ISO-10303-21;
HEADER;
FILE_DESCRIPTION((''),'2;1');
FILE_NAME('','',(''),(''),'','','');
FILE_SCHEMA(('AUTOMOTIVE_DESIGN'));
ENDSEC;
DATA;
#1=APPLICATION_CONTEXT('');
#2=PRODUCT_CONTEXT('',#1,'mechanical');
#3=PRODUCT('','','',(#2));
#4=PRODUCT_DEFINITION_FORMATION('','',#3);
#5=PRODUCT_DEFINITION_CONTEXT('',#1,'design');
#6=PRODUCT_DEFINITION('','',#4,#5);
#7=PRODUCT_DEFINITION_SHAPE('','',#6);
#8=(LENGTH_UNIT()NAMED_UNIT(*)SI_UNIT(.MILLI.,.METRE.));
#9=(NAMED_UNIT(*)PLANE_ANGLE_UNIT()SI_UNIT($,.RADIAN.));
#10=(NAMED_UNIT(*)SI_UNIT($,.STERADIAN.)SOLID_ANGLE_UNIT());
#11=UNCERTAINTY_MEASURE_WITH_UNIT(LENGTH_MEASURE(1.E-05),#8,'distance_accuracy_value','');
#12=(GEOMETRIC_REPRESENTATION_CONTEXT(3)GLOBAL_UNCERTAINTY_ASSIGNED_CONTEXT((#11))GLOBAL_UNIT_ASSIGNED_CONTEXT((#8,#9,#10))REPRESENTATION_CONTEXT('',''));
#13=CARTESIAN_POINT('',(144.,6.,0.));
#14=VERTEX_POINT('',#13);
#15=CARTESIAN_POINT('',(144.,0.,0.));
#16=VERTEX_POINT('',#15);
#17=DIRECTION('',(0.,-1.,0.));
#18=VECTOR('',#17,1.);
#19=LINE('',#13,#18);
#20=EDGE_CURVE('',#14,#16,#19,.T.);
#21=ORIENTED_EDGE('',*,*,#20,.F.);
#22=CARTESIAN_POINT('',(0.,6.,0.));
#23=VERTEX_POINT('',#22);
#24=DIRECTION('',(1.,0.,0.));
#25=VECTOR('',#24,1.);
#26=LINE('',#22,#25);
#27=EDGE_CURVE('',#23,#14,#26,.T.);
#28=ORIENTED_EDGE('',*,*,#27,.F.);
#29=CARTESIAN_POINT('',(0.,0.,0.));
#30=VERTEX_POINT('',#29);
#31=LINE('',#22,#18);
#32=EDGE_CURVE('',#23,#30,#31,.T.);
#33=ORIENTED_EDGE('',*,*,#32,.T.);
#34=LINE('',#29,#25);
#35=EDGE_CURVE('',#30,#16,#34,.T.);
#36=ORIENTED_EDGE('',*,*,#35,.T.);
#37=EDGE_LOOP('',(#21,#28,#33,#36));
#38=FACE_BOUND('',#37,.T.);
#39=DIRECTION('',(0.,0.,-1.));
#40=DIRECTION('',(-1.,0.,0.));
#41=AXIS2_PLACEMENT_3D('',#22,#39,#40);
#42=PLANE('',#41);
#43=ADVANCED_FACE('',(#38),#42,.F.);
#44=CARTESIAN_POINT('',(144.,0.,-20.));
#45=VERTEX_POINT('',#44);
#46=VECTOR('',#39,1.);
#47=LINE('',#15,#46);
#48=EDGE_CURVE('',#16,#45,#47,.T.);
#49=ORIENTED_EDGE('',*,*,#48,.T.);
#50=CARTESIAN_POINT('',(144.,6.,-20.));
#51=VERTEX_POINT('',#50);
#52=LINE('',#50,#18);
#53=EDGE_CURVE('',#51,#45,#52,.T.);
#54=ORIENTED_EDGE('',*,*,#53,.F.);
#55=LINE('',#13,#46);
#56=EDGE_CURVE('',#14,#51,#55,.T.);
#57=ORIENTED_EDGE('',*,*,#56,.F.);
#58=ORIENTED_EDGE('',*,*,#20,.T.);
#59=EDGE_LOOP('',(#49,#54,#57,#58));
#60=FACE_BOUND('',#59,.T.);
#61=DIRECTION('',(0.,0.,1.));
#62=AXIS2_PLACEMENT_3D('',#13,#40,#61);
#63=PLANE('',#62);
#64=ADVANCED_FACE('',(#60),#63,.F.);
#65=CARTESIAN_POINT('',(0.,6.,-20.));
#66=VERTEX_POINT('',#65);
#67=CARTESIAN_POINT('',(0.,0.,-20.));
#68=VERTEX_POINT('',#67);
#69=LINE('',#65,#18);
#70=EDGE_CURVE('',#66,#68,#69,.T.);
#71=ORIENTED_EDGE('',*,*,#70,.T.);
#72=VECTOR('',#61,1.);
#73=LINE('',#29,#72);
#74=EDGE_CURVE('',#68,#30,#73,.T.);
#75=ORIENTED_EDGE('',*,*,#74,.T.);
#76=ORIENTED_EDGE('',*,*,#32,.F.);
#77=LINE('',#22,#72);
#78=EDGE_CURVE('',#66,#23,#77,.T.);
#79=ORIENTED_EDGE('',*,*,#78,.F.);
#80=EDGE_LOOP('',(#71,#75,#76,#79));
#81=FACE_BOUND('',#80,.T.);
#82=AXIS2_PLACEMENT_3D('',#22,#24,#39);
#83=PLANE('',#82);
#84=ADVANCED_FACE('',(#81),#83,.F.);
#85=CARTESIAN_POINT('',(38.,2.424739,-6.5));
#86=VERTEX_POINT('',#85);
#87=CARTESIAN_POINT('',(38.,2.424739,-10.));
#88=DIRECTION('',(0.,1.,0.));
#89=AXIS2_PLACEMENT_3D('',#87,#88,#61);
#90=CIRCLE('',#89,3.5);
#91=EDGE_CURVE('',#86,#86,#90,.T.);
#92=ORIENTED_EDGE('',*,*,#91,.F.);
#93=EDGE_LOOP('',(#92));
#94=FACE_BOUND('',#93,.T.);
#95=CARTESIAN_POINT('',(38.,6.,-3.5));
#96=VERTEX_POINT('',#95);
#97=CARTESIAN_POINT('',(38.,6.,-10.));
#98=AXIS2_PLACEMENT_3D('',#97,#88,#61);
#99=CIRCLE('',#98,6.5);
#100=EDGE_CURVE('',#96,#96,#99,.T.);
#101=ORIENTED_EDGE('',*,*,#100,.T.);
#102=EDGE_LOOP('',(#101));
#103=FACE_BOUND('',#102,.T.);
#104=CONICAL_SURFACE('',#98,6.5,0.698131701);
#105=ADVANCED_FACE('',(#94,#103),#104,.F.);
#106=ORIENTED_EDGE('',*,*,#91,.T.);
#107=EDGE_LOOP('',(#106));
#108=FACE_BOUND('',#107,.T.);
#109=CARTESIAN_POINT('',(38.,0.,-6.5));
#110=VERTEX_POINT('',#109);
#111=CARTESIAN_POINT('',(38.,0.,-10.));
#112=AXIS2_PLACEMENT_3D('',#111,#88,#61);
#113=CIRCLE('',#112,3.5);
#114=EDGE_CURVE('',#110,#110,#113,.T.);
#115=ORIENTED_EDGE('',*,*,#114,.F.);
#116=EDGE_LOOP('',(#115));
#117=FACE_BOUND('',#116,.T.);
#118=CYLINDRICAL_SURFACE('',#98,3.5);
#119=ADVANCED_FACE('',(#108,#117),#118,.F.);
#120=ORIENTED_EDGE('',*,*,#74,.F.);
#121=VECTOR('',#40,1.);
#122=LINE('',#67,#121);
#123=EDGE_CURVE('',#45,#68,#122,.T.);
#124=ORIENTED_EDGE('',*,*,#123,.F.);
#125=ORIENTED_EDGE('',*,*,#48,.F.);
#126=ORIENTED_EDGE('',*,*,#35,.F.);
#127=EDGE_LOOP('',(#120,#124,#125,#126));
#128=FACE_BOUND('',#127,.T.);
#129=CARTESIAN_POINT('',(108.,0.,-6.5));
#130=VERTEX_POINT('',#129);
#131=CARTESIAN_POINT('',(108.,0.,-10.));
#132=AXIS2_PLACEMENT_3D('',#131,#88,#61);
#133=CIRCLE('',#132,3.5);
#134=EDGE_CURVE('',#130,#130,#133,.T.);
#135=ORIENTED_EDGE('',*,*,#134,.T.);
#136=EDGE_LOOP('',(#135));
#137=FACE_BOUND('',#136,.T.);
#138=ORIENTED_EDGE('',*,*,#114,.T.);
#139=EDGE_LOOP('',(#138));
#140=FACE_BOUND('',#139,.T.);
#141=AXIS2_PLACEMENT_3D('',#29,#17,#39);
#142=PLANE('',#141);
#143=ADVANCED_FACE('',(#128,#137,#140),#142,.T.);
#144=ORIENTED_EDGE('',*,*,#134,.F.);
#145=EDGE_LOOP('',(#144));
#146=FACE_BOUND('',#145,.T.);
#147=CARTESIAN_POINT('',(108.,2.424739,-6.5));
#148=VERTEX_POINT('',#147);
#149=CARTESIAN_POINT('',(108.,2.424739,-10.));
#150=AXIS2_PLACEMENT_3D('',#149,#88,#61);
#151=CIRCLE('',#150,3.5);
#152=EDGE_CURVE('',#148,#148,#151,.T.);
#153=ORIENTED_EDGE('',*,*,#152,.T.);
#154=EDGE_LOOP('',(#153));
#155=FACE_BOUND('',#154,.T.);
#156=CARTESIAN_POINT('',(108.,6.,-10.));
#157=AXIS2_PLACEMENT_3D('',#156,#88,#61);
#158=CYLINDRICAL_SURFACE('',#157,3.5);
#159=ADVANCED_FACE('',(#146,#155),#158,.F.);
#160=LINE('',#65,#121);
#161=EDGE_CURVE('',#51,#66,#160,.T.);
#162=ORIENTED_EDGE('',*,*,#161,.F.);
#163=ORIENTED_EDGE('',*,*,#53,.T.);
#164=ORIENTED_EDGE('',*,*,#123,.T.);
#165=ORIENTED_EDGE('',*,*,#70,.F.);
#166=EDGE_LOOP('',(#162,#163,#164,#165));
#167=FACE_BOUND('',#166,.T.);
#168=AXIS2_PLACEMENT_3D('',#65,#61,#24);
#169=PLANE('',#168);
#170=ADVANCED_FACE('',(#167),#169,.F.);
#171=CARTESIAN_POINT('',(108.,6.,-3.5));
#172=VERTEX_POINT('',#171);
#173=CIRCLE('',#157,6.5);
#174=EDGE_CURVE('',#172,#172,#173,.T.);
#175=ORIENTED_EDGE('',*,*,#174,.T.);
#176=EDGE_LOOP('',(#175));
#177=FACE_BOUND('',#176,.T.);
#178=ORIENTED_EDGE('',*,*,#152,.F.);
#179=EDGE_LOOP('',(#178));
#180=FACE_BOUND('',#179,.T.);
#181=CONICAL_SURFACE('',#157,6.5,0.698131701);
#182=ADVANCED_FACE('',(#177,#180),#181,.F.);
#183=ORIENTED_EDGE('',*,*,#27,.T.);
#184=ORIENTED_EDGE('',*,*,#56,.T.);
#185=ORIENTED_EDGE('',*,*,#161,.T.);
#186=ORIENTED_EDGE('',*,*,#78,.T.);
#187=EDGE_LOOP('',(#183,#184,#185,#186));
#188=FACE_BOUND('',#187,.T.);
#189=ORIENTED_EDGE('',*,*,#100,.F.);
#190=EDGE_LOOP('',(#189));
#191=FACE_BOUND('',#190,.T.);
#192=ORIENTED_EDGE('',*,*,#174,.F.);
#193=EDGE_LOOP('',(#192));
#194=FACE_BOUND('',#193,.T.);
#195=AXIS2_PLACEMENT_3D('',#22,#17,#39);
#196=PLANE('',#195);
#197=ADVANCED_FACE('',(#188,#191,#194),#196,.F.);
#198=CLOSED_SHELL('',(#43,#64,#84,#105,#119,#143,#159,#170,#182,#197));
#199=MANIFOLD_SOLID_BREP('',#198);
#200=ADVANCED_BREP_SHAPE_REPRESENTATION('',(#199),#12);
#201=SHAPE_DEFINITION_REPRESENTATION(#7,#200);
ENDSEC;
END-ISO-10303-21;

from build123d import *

# Parameters (mm, degrees)
SKETCH1_W                                      = 144
SKETCH1_H                                      = 20
BOSS_EXTRUDE1_DEPTH                            = 6
CSK_FOR_M5_FLAT_HEAD_MACHINE_SCREW1_AT_2_COUNT = 2
CSK_FOR_M5_FLAT_HEAD_MACHINE_SCREW1_AT_2_PITCH = 70


with BuildPart() as part:
    # Sketch1 → Boss-Extrude1 (new body)
    with BuildSketch(Plane(origin=(0, 0, 0), x_dir=(1, 0, 0), z_dir=(0, 1, 0))):
        with Locations((72, 10)):
            Rectangle(SKETCH1_W, SKETCH1_H)
    extrude(amount=BOSS_EXTRUDE1_DEPTH)

    # Sketch2 → CSK for M5 Flat Head Machine Screw1 (revolve, cut)
    with BuildSketch(Plane(origin=(38, 6, -10), x_dir=(0, 0, 1), z_dir=(1, 0, 0))):
        Polygon((0, 0), (0, 6), (3.5, 6), (3.5, 3.575260778), (6.5, 0), align=None)
    csk_for_m5_flat_head_machine_screw1 = revolve(axis=Axis((38, 12.35, -10), (0, -1, 0)), mode=Mode.SUBTRACT)

    # CSK for M5 Flat Head Machine Screw1 at 2: CSK for M5 Flat Head Machine Screw1 ×2
    with Locations(*[(i * CSK_FOR_M5_FLAT_HEAD_MACHINE_SCREW1_AT_2_PITCH, 0, 0) for i in range(1, CSK_FOR_M5_FLAT_HEAD_MACHINE_SCREW1_AT_2_COUNT)]):
        add(csk_for_m5_flat_head_machine_screw1, mode=Mode.SUBTRACT)


solid = part.part
